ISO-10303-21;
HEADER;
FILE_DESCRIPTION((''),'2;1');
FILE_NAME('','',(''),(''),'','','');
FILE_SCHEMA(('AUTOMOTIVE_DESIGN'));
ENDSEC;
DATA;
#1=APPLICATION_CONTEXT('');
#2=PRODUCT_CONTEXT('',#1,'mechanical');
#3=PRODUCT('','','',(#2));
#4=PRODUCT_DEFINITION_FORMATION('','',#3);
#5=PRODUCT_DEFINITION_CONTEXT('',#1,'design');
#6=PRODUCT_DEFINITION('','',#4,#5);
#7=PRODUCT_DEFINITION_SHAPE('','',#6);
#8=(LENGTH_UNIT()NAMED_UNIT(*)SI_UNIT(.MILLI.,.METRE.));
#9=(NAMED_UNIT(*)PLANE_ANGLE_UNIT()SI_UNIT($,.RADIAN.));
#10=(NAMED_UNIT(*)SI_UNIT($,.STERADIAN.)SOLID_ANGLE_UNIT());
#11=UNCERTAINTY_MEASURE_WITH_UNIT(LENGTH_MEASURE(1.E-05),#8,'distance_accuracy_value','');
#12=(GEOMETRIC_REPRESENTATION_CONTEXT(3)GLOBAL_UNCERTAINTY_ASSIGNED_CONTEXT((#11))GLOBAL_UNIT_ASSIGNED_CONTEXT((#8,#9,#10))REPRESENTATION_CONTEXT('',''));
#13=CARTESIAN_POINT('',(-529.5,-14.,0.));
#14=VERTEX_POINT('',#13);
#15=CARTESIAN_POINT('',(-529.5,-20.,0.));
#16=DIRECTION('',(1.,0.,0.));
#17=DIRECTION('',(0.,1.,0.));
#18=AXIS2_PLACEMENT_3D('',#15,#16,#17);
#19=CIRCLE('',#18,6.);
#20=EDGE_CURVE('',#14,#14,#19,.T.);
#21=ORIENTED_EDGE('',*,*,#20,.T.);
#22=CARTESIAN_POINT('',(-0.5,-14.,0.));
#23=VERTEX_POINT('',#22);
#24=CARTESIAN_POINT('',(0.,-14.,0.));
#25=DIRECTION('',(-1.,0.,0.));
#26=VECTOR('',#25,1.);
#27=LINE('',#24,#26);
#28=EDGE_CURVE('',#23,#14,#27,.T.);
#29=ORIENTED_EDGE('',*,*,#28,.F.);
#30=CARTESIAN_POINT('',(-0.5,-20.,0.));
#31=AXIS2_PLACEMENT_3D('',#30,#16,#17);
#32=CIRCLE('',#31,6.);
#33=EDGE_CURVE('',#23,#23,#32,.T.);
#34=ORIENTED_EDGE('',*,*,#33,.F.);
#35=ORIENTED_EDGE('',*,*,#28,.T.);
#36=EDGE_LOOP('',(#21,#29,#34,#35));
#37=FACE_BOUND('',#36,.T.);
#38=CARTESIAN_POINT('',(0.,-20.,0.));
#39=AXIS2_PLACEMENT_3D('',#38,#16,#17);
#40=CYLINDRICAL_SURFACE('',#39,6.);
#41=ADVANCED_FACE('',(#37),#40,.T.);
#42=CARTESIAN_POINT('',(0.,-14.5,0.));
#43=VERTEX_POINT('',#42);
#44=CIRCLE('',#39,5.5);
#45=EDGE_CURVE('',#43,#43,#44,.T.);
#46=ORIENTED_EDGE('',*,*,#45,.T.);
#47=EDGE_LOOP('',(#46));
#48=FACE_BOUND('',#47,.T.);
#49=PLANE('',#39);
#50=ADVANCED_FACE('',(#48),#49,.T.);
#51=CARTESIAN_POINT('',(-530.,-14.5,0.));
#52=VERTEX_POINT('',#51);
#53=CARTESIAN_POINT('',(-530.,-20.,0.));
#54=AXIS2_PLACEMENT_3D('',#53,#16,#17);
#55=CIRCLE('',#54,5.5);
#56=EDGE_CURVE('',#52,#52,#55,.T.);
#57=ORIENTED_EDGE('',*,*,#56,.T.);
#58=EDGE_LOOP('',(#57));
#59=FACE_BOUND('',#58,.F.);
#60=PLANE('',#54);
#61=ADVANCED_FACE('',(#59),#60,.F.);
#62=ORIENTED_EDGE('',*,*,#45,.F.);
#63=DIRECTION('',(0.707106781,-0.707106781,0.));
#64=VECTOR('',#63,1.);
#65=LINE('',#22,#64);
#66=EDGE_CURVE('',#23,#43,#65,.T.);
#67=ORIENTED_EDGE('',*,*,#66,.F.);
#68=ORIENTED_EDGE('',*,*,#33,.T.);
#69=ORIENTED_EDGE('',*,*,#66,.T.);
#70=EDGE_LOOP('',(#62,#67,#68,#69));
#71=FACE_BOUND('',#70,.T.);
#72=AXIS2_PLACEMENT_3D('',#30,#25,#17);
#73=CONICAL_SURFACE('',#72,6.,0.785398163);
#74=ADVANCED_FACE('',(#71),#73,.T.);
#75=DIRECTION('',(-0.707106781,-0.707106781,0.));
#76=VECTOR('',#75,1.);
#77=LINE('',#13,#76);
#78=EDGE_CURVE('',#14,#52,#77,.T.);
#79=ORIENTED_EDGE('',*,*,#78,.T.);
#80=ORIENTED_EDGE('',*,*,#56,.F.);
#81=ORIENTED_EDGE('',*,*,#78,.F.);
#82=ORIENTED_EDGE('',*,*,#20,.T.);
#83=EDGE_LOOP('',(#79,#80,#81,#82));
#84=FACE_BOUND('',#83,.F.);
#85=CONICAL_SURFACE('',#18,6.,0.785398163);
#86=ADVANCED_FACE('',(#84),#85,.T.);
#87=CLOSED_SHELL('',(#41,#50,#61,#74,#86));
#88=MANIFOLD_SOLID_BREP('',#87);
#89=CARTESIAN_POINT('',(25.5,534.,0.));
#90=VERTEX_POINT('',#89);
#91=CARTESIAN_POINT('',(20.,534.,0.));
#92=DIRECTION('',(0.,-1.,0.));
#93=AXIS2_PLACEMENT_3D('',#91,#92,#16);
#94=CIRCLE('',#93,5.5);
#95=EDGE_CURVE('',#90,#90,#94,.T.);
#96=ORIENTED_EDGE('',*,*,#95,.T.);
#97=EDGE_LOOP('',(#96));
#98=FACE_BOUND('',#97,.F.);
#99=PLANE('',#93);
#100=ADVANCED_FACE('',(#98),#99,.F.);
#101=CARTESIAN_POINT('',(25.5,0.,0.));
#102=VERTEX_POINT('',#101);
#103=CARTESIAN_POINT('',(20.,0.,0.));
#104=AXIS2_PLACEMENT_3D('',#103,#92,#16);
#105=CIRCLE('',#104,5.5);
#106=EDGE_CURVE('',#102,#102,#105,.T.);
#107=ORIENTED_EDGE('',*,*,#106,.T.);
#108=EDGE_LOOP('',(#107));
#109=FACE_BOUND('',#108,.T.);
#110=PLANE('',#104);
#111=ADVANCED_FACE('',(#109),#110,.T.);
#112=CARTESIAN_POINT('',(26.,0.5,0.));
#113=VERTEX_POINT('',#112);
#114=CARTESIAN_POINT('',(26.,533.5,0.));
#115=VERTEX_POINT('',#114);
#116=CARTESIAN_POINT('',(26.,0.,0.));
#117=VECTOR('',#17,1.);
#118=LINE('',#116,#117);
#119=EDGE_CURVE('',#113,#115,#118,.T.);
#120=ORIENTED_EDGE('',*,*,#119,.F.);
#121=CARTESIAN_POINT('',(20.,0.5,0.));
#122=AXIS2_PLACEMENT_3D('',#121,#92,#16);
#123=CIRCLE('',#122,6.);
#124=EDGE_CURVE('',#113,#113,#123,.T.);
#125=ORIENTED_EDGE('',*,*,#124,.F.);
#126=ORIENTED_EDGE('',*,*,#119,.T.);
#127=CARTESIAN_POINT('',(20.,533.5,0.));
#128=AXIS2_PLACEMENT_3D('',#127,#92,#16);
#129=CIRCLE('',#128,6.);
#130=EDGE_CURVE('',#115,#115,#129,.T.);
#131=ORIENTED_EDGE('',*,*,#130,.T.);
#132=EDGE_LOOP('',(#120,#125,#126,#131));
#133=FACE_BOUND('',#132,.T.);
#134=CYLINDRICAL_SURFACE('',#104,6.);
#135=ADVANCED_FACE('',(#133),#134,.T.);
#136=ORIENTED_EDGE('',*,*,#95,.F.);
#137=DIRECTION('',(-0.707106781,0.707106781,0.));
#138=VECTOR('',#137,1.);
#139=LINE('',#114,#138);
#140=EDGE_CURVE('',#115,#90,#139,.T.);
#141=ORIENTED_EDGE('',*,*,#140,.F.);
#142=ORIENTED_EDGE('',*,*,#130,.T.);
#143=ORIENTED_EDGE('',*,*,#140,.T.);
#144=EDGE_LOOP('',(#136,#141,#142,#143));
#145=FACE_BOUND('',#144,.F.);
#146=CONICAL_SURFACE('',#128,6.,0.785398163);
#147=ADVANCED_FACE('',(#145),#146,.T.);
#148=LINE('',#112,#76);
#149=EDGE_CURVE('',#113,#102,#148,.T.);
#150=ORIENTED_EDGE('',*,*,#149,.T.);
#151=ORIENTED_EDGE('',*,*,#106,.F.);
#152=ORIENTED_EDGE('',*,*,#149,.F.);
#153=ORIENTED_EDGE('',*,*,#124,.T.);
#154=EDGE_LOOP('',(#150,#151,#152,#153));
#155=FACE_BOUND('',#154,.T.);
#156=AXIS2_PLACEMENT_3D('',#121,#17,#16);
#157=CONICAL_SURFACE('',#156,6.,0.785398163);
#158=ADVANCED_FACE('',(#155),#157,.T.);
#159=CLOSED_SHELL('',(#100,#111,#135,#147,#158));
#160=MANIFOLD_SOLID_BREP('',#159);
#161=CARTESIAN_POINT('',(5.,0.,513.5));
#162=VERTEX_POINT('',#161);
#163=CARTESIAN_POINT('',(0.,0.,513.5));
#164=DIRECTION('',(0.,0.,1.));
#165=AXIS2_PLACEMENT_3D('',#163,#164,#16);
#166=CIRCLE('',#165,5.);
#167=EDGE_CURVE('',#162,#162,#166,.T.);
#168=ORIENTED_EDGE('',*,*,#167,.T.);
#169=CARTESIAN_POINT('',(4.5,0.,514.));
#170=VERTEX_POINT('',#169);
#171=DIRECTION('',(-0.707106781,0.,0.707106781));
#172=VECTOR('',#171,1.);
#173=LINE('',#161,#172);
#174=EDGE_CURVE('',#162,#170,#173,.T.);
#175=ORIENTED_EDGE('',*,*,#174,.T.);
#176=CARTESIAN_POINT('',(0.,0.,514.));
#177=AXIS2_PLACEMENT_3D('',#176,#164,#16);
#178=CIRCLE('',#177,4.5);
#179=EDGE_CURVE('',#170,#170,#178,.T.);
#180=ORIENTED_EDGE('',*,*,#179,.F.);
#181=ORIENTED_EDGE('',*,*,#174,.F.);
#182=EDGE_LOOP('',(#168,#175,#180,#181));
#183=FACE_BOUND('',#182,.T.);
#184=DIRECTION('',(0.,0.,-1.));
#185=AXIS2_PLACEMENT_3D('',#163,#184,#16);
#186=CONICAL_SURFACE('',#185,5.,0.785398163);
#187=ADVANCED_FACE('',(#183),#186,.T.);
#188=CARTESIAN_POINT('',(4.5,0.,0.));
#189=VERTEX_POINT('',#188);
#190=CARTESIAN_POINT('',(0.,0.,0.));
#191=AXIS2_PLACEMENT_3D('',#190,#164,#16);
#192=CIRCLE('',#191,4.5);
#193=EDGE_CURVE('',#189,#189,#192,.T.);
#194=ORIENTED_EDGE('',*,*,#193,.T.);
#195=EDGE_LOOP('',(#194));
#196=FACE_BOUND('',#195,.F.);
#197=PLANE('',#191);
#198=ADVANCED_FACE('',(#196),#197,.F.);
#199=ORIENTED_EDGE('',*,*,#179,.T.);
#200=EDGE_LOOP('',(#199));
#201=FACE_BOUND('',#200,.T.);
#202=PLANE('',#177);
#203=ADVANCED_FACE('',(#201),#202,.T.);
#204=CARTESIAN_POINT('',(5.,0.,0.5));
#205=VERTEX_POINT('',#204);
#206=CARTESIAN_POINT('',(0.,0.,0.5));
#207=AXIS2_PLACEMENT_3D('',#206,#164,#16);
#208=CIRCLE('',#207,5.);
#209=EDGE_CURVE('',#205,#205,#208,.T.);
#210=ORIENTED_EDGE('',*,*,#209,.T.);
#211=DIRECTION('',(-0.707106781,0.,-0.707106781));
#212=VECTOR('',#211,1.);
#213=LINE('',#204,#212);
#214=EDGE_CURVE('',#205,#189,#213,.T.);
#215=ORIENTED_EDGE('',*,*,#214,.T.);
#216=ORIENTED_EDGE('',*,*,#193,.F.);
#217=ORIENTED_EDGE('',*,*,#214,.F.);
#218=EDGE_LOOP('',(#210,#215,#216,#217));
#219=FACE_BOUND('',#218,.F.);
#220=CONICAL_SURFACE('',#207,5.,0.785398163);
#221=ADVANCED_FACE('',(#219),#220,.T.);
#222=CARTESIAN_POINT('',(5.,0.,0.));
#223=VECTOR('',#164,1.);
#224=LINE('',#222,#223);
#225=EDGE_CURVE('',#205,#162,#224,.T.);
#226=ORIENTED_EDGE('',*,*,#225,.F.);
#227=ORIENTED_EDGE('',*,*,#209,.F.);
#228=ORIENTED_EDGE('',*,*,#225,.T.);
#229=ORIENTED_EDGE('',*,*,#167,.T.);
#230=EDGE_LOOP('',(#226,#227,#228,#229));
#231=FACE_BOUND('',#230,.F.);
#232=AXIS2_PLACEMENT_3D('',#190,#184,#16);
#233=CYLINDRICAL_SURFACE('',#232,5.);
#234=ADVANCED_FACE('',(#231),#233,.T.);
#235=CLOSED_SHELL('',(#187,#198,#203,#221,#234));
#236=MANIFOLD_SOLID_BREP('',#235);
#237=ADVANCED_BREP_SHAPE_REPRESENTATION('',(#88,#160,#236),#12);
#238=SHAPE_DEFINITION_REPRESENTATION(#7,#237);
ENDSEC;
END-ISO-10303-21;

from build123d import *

# Parameters (mm, degrees)
F0_R     = 5
F1_DEPTH = 514
F2_SIZE  = 0.5
F3_R     = 6
F4_DEPTH = 534
F5_SIZE  = 0.5
F6_R     = 6
F7_DEPTH = 530
F8_SIZE  = 0.5


with BuildPart() as f1:
    # F0 (on Top) → F1 (new body)
    with BuildSketch(Plane.XY):
        Circle(F0_R)
    extrude(amount=F1_DEPTH)

    # F2
    f2_edges = [f1.edges().sort_by_distance(p)[0] for p in [
        (-5, 0, 514),
        (-5, 0, 0),
    ]]
    chamfer(f2_edges, length=F2_SIZE)


with BuildPart() as f4:
    # F3 (on Front) → F4 (new body)
    with BuildSketch(Plane.XZ):
        with Locations((20, 0)):
            Circle(F3_R)
    extrude(amount=-F4_DEPTH)

    # F5
    f5_edges = [f4.edges().sort_by_distance(p)[0] for p in [
        (14, 0, 0),
        (14, 534, 0),
    ]]
    chamfer(f5_edges, length=F5_SIZE)


with BuildPart() as f7:
    # F6 (on Right) → F7 (new body)
    with BuildSketch(Plane.YZ):
        with Locations((-20, 0)):
            Circle(F6_R)
    extrude(amount=-F7_DEPTH)

    # F8
    f8_edges = [f7.edges().sort_by_distance(p)[0] for p in [
        (0, -26, 0),
        (-530, -26, 0),
    ]]
    chamfer(f8_edges, length=F8_SIZE)


solid = Compound([f1.part, f4.part, f7.part])
